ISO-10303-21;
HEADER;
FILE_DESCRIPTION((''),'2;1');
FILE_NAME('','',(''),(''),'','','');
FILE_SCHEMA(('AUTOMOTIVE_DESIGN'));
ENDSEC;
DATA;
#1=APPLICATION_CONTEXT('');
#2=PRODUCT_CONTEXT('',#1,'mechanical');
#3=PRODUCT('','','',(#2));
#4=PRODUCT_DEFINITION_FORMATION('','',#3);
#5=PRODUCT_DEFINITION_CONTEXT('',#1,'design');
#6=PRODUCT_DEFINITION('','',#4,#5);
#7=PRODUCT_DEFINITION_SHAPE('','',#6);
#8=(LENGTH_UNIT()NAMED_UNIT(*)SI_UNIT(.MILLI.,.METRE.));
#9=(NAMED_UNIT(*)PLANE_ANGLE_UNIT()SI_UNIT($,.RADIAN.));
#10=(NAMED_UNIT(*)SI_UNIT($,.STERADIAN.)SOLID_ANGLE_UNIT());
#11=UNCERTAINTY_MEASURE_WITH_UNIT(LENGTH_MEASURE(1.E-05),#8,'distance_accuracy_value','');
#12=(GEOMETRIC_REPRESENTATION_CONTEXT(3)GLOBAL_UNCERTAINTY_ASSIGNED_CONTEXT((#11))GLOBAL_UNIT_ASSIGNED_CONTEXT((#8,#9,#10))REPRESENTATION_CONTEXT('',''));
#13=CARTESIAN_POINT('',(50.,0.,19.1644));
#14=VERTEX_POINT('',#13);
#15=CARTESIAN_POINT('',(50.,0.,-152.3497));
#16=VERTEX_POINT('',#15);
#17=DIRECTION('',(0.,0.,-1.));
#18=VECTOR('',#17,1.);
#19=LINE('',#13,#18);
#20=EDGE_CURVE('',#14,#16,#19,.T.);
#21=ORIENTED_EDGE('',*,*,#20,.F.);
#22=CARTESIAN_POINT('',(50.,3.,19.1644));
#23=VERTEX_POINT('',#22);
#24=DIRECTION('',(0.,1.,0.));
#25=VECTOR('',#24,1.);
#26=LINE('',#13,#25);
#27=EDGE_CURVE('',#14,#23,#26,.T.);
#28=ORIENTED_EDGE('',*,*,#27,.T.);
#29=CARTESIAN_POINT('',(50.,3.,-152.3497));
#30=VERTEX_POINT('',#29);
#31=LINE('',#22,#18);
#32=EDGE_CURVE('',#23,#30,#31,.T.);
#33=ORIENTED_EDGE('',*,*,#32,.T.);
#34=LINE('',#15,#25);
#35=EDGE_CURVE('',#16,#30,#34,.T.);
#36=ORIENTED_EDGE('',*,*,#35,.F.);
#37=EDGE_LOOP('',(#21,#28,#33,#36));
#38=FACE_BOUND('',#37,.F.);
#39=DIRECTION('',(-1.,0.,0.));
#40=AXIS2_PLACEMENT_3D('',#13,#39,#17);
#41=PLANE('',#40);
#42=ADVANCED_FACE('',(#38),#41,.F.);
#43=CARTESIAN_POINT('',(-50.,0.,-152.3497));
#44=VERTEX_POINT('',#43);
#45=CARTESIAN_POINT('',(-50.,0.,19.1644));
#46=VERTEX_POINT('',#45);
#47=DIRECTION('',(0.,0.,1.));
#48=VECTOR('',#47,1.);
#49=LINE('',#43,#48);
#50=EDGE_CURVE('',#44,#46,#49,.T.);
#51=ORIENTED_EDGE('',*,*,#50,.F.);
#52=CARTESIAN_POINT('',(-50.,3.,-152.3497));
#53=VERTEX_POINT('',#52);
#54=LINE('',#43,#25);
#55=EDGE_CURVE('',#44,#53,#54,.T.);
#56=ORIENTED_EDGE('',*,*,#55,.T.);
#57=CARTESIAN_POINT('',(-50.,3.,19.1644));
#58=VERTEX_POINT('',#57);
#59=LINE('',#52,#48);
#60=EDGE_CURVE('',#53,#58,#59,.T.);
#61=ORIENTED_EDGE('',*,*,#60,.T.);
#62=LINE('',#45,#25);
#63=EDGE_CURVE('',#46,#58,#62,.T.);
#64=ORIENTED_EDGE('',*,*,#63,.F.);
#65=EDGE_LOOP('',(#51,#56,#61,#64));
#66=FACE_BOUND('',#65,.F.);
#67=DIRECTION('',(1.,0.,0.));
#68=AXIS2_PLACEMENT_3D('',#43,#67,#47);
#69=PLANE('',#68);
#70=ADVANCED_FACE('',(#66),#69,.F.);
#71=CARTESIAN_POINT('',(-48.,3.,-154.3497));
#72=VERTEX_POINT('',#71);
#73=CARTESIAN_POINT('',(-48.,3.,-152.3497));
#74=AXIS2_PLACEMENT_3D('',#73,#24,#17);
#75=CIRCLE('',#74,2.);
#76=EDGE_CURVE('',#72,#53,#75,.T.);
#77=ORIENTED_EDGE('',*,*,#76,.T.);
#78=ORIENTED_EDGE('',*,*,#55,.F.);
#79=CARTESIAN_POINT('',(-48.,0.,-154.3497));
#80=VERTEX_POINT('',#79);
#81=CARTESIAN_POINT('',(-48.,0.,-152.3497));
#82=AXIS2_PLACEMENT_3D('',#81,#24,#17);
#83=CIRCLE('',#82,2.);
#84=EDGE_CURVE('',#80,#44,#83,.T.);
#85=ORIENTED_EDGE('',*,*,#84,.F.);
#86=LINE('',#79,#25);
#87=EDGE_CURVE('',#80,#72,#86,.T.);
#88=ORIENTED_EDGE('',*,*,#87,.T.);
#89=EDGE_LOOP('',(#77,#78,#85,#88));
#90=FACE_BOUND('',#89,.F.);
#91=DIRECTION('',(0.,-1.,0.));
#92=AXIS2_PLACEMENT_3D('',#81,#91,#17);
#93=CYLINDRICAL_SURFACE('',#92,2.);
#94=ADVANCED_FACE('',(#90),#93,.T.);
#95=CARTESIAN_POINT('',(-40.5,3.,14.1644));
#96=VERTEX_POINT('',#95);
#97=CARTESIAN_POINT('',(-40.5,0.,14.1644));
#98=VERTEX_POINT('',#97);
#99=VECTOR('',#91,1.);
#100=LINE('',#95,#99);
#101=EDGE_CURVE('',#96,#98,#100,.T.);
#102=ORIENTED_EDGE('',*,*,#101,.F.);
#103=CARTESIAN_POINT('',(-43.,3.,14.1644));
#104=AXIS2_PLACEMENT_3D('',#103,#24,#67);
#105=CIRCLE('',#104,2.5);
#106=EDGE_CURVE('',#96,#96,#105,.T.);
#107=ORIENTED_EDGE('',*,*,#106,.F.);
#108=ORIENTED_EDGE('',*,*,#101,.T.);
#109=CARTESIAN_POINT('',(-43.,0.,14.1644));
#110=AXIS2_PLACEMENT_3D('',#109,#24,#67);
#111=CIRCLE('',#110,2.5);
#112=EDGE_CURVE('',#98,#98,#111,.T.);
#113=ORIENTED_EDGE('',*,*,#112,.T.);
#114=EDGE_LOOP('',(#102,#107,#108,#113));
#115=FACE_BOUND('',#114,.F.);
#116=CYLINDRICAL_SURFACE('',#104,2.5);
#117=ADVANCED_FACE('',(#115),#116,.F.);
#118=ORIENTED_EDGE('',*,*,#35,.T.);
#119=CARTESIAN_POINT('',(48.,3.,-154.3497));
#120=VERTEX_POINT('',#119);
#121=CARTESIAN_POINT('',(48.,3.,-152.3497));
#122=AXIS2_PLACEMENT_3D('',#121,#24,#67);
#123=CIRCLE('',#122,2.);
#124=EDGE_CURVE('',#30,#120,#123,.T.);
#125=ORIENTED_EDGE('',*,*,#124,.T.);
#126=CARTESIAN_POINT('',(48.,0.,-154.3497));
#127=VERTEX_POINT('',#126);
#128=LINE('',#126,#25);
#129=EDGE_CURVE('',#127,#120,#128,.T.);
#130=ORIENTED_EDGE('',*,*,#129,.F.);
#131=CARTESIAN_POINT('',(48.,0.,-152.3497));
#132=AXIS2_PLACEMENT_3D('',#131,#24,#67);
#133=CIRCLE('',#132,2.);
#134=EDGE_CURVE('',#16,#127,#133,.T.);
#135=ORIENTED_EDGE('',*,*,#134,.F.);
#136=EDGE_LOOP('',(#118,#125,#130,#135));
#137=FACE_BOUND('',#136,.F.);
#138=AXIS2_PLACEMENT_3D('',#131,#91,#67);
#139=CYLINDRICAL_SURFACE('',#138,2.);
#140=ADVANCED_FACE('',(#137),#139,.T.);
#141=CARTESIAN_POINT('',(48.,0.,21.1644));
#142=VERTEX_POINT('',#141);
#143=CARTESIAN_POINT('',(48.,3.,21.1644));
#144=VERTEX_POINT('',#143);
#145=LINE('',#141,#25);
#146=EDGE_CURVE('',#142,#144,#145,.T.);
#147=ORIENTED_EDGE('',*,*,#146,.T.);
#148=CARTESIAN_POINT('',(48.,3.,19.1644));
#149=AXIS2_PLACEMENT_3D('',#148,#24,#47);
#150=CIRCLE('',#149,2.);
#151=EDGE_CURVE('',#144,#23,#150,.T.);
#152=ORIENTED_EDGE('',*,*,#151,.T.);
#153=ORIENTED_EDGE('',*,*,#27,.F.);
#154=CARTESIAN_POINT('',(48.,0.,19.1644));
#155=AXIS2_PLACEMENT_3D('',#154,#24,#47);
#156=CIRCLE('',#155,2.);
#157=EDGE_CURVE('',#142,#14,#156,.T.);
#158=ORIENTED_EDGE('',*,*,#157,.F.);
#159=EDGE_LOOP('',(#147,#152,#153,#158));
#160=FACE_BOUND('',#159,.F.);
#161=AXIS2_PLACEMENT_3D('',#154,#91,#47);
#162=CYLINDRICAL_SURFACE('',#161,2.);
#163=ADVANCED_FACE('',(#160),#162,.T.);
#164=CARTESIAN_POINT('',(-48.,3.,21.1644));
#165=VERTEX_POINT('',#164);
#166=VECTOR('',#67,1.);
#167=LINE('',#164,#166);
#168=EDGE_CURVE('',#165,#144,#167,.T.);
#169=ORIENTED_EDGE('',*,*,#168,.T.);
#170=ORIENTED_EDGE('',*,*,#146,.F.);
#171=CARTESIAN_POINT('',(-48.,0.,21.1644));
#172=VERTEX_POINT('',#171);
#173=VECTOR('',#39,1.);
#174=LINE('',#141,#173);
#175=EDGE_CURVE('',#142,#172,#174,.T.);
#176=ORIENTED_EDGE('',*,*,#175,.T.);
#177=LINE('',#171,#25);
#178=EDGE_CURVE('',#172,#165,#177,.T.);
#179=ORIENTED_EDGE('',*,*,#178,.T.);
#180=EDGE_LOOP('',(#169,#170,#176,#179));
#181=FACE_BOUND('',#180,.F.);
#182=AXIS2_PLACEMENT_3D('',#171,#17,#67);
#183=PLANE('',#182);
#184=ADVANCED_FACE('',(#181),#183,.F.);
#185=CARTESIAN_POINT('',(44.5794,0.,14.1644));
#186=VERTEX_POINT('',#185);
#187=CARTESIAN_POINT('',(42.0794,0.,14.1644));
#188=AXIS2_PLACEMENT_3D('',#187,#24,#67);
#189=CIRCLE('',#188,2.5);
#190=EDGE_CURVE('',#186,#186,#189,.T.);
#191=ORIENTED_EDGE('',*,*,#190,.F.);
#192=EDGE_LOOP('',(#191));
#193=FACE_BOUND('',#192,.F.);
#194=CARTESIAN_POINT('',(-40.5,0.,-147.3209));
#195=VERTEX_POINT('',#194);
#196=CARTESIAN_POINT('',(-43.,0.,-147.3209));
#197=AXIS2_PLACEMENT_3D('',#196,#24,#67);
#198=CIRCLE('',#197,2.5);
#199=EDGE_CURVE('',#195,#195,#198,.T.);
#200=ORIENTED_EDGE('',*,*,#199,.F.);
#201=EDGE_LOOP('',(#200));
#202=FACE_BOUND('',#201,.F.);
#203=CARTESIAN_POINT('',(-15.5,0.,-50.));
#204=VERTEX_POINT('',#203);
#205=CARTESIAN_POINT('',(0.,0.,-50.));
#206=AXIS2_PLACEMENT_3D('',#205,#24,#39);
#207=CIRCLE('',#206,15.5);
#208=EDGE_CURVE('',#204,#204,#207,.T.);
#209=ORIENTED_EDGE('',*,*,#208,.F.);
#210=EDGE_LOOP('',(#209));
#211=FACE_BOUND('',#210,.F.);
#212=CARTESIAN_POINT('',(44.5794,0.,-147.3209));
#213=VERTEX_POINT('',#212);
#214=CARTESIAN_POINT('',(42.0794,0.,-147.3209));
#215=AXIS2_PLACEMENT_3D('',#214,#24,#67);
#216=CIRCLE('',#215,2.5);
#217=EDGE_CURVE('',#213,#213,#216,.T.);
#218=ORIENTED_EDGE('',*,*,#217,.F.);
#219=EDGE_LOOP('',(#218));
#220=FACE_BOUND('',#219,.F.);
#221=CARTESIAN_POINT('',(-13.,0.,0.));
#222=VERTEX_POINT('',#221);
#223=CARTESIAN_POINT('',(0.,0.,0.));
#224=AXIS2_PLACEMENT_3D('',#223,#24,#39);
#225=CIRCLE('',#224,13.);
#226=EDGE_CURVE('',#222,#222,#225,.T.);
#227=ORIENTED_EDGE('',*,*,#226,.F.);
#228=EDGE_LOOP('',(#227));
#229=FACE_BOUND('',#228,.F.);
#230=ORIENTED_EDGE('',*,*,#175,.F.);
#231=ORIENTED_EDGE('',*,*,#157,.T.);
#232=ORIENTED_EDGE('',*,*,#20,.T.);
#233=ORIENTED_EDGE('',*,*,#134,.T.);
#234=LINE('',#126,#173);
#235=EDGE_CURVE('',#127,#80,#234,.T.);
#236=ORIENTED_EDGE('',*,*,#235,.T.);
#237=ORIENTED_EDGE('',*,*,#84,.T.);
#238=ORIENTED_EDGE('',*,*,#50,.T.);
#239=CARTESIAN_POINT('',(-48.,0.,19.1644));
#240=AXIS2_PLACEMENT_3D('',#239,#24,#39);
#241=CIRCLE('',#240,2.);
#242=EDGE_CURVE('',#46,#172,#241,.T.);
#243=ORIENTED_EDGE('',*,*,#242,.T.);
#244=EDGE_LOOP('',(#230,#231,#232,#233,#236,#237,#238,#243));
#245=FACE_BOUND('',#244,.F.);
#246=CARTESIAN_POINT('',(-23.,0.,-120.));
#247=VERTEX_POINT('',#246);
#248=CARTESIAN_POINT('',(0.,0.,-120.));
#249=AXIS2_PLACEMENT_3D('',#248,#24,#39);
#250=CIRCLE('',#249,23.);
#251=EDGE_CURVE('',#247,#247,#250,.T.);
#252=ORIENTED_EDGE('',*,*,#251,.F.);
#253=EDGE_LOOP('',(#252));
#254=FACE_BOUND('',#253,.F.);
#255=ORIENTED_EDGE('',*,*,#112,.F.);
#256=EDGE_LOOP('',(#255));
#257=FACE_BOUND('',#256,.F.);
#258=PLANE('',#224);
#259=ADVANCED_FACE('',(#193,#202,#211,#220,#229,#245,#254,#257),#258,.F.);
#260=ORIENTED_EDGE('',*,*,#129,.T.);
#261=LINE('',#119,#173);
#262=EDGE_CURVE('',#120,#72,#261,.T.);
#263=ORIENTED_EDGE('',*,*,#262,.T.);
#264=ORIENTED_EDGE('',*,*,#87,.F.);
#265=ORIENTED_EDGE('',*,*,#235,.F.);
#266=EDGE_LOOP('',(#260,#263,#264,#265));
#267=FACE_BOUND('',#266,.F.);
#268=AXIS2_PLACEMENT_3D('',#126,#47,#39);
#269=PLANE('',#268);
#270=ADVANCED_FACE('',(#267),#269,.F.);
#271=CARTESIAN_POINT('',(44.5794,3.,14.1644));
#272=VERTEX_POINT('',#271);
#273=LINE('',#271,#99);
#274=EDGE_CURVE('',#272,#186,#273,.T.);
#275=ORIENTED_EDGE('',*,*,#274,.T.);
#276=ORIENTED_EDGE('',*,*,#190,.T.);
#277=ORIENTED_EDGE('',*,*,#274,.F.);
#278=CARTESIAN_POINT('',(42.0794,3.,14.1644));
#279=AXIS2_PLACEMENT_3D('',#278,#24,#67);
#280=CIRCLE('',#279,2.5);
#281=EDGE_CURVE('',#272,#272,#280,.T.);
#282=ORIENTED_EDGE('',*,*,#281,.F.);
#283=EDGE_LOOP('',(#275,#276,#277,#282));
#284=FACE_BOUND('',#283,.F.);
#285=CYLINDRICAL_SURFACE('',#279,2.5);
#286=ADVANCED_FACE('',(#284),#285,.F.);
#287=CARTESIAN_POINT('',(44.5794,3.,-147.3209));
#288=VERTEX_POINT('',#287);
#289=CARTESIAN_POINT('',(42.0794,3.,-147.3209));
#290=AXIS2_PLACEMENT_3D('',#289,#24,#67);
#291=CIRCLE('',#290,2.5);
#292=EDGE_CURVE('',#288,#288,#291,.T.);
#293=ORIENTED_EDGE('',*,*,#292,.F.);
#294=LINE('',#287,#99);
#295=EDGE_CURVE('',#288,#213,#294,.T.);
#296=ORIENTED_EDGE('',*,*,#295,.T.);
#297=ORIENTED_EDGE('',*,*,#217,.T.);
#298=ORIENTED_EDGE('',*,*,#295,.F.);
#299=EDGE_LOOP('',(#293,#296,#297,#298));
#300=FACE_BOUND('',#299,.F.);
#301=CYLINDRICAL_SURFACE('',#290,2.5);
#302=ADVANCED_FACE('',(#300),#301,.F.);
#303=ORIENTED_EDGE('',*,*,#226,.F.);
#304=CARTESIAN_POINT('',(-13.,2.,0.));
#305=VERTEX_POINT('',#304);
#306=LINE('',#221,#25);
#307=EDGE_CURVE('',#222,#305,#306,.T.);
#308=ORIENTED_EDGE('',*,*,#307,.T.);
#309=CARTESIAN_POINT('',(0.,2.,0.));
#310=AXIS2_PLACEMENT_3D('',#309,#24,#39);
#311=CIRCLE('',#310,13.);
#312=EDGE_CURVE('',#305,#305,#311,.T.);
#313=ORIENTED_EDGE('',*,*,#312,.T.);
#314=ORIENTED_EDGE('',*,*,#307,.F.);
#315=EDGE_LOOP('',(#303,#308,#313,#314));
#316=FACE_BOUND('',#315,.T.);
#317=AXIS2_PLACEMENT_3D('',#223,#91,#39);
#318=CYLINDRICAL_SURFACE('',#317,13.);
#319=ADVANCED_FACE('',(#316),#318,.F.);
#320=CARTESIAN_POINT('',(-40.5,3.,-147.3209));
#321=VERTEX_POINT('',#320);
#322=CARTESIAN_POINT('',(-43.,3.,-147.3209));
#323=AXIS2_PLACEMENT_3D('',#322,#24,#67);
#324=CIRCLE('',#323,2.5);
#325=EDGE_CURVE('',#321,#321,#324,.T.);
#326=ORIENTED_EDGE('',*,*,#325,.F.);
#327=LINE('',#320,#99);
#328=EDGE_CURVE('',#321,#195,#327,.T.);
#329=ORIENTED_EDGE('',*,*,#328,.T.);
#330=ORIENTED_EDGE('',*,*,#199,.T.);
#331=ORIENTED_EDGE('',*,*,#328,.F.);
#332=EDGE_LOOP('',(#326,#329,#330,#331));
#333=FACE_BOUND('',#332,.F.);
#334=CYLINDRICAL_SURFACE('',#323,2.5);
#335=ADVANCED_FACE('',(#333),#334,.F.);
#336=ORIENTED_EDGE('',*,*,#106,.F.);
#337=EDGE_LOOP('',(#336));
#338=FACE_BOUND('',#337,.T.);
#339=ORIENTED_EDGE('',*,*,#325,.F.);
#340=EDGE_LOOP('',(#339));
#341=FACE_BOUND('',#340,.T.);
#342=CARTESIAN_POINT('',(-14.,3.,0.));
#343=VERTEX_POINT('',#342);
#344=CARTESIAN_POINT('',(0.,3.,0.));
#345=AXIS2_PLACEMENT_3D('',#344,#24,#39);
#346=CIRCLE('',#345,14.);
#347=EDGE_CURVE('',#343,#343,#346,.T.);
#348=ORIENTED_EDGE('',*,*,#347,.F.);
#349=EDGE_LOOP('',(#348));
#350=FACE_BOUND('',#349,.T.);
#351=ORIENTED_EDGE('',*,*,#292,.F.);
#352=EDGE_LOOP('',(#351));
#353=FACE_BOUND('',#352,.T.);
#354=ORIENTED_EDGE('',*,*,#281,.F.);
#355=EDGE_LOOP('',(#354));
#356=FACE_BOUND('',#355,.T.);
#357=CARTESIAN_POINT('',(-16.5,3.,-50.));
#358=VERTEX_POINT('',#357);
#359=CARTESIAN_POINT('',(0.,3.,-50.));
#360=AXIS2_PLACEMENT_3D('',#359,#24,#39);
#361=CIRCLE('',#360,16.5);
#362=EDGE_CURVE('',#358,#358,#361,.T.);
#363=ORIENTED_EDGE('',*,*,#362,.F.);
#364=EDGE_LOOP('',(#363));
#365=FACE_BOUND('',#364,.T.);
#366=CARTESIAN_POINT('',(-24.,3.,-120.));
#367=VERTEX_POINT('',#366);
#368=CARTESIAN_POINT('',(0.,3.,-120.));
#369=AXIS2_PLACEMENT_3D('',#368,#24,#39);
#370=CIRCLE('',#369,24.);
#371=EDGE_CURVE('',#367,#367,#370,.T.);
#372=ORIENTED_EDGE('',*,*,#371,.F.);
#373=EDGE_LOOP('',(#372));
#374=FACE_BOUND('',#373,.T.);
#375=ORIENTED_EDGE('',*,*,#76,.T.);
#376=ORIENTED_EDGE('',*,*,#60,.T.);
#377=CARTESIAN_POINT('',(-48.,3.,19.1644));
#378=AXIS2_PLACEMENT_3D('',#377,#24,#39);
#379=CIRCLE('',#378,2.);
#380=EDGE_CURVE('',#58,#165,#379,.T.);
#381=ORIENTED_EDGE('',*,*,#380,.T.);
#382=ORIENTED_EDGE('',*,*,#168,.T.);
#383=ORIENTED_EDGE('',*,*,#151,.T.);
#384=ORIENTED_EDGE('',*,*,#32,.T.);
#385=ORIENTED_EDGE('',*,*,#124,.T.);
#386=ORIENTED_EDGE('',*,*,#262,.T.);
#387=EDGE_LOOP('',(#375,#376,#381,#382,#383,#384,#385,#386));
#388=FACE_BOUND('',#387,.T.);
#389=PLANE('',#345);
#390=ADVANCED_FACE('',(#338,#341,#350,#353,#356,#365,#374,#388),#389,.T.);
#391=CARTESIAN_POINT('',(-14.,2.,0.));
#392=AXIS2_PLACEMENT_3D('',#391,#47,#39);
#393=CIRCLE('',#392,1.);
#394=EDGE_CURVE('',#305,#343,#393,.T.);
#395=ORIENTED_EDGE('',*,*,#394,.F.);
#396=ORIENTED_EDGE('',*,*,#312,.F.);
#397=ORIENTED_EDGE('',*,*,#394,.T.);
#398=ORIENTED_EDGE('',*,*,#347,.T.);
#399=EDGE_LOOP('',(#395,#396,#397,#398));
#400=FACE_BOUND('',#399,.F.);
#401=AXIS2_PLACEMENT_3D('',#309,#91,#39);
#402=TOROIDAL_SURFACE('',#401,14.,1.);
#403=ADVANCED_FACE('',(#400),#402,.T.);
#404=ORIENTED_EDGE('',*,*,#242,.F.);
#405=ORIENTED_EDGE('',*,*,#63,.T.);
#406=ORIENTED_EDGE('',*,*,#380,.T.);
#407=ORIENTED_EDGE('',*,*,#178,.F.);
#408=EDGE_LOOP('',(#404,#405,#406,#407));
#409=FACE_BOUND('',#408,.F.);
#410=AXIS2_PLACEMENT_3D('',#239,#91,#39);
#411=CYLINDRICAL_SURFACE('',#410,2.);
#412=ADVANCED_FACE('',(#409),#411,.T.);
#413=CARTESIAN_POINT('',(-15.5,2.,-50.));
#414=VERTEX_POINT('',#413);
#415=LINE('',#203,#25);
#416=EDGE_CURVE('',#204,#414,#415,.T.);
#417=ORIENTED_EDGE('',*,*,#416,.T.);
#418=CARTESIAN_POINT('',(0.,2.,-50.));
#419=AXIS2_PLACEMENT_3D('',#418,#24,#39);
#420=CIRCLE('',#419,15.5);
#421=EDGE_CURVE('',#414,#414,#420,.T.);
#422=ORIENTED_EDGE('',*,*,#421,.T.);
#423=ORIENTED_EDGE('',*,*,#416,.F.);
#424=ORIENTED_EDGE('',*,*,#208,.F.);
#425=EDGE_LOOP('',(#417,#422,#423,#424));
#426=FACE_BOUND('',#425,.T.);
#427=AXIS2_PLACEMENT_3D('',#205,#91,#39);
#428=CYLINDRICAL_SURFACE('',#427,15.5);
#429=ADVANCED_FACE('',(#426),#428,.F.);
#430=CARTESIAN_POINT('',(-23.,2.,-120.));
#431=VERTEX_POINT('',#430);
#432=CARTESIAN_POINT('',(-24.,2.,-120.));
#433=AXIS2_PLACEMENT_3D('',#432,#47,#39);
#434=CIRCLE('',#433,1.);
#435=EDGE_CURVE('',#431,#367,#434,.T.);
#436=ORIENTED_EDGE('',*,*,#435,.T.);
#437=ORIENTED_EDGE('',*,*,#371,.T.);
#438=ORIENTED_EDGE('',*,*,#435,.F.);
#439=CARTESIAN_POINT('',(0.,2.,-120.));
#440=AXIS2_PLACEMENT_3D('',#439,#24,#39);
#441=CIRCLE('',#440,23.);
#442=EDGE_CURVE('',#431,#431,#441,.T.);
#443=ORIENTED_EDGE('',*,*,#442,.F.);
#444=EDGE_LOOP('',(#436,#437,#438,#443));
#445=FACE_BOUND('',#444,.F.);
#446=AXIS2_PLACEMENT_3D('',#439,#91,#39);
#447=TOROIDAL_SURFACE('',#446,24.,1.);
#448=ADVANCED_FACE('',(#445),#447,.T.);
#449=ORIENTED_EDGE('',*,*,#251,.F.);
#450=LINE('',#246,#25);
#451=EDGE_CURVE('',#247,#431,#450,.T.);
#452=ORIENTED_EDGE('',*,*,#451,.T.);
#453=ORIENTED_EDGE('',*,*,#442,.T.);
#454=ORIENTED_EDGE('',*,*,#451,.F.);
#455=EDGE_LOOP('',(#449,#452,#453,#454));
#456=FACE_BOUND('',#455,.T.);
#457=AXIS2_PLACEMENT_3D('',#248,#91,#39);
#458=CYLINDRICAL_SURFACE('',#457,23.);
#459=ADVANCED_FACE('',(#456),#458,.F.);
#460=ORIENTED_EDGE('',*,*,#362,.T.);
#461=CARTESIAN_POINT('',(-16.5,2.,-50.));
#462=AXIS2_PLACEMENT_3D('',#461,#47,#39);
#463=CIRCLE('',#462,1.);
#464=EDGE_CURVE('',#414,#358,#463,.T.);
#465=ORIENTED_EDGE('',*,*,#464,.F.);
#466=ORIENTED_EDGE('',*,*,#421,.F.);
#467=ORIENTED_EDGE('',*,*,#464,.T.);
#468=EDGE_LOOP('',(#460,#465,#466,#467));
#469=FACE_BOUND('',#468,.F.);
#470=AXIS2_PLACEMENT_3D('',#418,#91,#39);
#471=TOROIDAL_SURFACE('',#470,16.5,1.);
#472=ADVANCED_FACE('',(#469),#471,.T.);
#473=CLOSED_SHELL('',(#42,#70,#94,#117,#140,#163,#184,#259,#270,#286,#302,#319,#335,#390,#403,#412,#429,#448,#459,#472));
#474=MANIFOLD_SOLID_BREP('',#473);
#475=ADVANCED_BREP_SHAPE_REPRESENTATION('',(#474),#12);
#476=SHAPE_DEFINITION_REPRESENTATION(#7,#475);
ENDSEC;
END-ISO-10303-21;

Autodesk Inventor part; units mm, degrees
ref_plane "YZ Plane" through (0, 0, 0) normal (1, 0, 0) x (0, 1, 0)
ref_plane "XZ Plane" through (0, 0, 0) normal (0, 1, 0) x (-1, 0, 0)
ref_plane "XY Plane" through (0, 0, 0) normal (0, 0, 1) x (1, 0, 0)
sketch "Sketch1" plane through (0, 0, 0) normal (0, 1, 0) x (-1, 0, 0)
  circle A0 centre (0, 0) radius 13
  circle A1 centre (0, -50) radius 15.5
  circle A2 centre (0, -120) radius 23
  line L0 (0, 21.1644) -> (-48, 21.1644)
  line L1 (-50, 19.1644) -> (-50, -152.3497)
  line L2 (-48, -154.3497) -> (48, -154.3497)
  line L3 (50, -152.3497) -> (50, 19.1644)
  line L4 (48, 21.1644) -> (0, 21.1644)
  arc A3 (50, 19.1644) -> (48, 21.1644) centre (48, 19.1644) ccw
  arc A4 (-48, 21.1644) -> (-50, 19.1644) centre (-48, 19.1644) ccw
  arc A5 (-50, -152.3497) -> (-48, -154.3497) centre (-48, -152.3497) ccw
  arc A6 (48, -154.3497) -> (50, -152.3497) centre (48, -152.3497) ccw
  point P0 (50, 21.1644)
extrude "Extrusion1" add sketch "Sketch1" along normal blind 3
fillet "Fillet1" radius 1 3 edges at (13, 3, 0) (15.5, 3, -50) (23, 3, -120)
sketch "Sketch2" plane through (0, 3, 0) normal (0, 1, 0) x (1, 0, 0)
  arc A0 (-50, -19.1644) -> (-48, -21.1644) centre (-48, -19.1644) ccw projected
  circle A1 centre (-43, -14.1644) radius 2.5
  circle A2 centre (-43, 147.3209) radius 2.5
  circle A3 centre (42.0794, -14.1644) radius 2.5
  circle A4 centre (42.0794, 147.3209) radius 2.5
  point P0 (0, 0)
  dimension "d20" = 5
  dimension "d21" = 5
  dimension "d22" = 5
  dimension "d23" = 5
extrude "Extrusion2" cut sketch "Sketch2" against normal blind 10
sketch "Sketch3" plane through (0, 3, 0) normal (0, 1, 0) x (1, 0, 0)
  point P0 (0, 0)
equation "\"BendRadius\" = Thickness"
equation "\"BendReliefWidth\" = Thickness"
equation "\"BendReliefDepth\" = 0.5 * Thickness"
equation "\"CornerReliefSize\" = 4 * Thickness"
equation "\"MinimumRemnant\" = 2 * Thickness"
equation "\"TransitionRadius\" = BendRadius"
equation "\"JacobiRadiusSize\" = BendRadius"
equation "\"GapSize\" = Thickness"
equation "\"Thickness\" = 0.5"
properties part number "Circle_Color"
